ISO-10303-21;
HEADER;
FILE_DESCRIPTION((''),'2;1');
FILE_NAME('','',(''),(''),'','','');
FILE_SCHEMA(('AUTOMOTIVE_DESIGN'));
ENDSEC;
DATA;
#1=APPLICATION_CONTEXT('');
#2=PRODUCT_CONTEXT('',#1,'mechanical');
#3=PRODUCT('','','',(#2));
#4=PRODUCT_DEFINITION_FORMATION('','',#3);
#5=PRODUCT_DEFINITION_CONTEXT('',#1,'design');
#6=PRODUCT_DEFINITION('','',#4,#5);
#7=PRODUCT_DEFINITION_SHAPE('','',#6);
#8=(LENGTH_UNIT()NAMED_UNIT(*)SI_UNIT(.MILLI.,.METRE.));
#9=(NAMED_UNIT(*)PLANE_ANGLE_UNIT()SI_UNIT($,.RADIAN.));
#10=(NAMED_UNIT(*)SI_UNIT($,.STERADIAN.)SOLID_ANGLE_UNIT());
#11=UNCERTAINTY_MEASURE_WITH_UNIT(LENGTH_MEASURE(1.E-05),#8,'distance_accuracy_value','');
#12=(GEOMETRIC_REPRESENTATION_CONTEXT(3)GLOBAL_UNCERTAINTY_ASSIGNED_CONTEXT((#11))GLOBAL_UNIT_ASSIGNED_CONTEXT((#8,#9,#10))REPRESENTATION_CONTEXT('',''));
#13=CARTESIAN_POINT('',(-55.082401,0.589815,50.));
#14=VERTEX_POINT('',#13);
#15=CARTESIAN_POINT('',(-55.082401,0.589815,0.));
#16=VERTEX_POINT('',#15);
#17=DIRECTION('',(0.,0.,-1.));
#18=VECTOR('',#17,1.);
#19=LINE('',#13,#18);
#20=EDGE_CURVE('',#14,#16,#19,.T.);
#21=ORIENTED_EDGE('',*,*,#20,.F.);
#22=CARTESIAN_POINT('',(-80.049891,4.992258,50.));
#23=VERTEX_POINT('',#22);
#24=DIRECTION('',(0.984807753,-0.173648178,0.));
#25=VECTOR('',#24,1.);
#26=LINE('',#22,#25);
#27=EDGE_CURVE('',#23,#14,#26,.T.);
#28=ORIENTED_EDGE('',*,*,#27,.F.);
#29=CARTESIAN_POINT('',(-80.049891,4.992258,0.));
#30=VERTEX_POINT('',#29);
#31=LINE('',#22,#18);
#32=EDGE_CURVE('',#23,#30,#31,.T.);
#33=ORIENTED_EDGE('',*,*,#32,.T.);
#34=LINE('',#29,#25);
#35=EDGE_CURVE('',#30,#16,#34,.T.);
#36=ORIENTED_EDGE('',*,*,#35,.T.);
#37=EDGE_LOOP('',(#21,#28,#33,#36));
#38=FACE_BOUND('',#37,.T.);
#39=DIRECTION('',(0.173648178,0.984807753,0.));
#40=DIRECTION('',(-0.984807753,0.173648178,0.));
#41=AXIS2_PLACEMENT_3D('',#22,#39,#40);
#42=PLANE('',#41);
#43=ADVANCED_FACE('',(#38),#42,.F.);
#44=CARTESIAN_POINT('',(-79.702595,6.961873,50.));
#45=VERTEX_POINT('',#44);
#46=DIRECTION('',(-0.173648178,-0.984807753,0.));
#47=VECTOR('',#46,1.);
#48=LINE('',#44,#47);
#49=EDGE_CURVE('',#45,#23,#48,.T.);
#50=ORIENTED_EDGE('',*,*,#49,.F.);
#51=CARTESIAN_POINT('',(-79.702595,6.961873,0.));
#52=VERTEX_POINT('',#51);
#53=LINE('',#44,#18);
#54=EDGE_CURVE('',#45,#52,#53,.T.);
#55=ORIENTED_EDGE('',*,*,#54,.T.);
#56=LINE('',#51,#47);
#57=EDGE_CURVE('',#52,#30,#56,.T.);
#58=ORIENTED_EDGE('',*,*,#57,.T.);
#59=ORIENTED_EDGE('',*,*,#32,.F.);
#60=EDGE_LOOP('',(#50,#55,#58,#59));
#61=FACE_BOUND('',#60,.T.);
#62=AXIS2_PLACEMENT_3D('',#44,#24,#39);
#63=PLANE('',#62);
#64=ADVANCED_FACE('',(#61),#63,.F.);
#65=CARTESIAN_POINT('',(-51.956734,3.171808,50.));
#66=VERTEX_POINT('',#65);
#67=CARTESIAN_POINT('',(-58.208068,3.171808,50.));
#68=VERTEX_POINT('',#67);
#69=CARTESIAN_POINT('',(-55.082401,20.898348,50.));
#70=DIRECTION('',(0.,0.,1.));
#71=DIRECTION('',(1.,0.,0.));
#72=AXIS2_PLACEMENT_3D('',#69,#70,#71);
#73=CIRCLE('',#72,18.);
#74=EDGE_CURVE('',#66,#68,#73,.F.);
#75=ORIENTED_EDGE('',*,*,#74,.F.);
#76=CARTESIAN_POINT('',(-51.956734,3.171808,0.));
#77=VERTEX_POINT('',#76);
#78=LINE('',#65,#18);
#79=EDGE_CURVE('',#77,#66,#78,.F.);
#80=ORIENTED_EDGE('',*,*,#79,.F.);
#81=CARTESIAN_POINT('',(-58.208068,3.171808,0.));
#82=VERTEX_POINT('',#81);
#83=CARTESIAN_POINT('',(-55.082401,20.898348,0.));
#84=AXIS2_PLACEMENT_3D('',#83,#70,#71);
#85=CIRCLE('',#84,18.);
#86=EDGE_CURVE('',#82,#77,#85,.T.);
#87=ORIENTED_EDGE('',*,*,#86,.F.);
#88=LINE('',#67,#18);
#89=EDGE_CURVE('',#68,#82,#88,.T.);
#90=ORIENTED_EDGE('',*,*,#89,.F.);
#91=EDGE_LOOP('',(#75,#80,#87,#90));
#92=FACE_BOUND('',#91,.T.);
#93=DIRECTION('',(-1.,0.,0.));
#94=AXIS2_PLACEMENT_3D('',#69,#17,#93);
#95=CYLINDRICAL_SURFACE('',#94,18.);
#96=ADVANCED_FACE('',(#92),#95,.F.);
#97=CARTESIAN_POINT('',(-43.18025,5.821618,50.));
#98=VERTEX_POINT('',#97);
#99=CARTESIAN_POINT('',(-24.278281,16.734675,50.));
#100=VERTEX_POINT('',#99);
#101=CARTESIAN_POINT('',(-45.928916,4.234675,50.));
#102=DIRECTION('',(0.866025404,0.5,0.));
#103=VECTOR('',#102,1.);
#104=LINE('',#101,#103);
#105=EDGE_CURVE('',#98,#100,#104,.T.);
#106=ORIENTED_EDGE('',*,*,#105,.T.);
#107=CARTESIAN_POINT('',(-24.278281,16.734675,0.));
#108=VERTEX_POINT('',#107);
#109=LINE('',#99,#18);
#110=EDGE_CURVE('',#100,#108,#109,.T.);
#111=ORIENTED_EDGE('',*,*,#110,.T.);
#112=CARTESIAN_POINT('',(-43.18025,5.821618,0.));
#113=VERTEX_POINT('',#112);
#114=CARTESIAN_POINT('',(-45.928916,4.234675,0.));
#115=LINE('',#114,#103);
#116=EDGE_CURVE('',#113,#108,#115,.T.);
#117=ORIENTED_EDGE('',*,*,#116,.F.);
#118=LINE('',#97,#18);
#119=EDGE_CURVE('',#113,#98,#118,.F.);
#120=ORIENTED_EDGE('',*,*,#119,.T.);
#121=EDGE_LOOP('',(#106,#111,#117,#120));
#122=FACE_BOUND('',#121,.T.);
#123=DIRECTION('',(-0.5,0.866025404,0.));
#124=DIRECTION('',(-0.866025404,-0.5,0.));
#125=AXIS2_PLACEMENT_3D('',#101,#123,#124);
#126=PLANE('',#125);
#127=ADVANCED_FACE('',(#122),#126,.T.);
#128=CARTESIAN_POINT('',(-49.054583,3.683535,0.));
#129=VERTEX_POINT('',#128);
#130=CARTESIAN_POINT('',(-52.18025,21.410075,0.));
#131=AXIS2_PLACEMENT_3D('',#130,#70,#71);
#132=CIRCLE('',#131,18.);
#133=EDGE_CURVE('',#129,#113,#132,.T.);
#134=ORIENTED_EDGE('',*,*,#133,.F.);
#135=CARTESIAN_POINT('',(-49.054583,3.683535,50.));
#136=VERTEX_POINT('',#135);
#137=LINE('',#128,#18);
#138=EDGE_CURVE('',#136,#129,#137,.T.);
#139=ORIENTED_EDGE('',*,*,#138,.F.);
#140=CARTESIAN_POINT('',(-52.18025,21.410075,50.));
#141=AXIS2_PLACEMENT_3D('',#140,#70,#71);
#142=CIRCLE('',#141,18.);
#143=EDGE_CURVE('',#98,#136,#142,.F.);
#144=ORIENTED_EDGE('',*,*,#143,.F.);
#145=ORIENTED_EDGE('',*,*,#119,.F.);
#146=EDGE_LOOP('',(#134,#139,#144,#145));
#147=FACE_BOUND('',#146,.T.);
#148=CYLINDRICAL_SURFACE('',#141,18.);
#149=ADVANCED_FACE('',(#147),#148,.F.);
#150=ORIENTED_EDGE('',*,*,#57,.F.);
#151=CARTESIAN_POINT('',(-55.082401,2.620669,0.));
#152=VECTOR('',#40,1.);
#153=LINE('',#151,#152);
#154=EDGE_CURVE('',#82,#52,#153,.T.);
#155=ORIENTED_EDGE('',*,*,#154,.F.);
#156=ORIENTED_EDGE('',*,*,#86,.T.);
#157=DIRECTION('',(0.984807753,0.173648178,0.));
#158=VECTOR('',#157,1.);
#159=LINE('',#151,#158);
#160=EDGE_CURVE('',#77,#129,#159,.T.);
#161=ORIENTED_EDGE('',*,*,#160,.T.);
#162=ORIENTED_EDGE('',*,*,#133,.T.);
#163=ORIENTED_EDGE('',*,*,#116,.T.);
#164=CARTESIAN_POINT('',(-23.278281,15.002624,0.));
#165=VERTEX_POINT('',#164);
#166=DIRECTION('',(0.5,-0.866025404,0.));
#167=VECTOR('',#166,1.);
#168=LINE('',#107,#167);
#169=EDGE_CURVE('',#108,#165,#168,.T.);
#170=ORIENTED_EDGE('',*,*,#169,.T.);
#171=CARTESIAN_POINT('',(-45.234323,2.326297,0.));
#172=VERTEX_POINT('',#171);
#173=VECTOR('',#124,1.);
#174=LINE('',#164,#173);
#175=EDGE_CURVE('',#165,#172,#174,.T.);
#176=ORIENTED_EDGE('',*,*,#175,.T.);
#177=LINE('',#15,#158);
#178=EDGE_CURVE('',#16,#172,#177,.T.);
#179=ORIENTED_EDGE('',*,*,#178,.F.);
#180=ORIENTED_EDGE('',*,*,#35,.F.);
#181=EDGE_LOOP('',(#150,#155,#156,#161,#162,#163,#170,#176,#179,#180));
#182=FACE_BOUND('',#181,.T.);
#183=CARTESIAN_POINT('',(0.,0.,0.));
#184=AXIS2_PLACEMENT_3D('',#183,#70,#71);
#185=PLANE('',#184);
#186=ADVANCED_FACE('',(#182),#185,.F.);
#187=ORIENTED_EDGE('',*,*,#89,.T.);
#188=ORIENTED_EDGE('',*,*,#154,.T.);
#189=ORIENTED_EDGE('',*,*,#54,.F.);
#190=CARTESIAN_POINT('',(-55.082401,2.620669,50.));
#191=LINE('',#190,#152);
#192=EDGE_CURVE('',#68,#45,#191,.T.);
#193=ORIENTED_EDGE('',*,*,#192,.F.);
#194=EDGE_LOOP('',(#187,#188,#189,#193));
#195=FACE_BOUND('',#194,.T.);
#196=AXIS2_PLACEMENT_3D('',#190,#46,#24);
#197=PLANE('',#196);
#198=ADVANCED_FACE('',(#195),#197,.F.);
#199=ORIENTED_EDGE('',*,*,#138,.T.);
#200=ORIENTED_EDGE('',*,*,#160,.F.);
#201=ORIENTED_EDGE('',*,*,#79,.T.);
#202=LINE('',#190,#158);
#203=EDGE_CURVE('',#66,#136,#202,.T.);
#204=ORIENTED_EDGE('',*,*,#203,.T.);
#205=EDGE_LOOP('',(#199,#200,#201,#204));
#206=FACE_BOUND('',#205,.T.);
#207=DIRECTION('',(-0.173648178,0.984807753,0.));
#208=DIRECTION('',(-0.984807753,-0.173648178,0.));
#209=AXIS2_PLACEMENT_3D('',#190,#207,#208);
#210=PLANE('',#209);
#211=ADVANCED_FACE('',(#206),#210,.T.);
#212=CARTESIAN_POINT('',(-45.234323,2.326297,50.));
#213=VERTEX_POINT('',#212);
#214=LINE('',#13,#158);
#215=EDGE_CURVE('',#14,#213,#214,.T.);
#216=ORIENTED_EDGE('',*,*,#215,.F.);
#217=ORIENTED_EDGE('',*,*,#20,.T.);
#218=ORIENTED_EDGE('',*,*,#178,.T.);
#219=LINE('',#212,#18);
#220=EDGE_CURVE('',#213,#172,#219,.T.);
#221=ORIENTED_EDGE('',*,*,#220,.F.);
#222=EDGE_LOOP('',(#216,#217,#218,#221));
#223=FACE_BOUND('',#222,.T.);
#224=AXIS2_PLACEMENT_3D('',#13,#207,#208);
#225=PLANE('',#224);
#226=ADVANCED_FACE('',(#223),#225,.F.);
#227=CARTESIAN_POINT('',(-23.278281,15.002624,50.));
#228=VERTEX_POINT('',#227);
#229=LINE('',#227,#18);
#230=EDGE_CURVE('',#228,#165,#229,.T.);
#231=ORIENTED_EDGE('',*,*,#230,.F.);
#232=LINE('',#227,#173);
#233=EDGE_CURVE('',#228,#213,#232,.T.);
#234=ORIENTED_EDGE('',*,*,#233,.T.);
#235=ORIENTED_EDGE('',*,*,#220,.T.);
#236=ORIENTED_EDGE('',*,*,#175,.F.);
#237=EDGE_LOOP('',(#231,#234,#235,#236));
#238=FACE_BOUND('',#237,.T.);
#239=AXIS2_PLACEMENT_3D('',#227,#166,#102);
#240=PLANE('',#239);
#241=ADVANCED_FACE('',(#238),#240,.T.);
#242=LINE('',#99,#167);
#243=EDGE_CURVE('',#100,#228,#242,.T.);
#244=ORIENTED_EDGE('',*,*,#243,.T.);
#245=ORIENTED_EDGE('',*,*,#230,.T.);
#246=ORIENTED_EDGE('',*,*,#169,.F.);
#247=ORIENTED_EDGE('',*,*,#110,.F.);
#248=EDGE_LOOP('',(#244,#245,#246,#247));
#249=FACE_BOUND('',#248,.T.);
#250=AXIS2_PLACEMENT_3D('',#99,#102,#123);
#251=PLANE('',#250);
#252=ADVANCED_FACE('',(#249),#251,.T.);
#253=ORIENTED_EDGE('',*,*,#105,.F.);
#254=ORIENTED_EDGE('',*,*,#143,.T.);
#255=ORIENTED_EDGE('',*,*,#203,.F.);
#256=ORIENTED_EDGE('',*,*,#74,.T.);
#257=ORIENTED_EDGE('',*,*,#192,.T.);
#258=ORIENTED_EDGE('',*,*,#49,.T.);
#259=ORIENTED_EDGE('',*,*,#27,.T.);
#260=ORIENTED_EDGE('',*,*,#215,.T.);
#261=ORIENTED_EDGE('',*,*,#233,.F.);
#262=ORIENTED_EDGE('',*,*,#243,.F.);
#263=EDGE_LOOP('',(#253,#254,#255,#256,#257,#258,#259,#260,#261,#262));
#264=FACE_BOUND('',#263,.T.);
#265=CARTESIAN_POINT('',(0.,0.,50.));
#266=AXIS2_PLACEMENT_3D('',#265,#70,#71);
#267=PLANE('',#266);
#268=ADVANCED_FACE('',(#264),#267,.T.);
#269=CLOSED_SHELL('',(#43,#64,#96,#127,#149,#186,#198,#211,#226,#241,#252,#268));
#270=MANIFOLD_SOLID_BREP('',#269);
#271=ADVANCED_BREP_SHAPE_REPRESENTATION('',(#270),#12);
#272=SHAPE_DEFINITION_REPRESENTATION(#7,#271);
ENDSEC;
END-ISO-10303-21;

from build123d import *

# Parameters (mm, degrees)
BOSS_EXTRUDE2_DEPTH = 50
FILLET7_R           = 18


with BuildPart() as part:
    # Sketch1 → Boss-Extrude2 (new body)
    with BuildSketch(Plane.XY):
        Polygon((-45.928915918, 4.234674939), (-24.278280823, 16.734674939), (-23.278280823, 15.002624132), (-45.234323207, 2.326297151), (-55.082400737, 0.589815374), (-80.049890918, 4.992257534), (-79.702594562, 6.96187304), (-55.082400737, 2.620668598), align=None)
    extrude(amount=BOSS_EXTRUDE2_DEPTH)

    # Fillet7
    fillet7_edges = [part.edges().sort_by_distance(p)[0] for p in [
        (-55.082400737, 2.620668598, 25),
        (-45.928915918, 4.234674939, 25),
    ]]
    fillet(fillet7_edges, radius=FILLET7_R)


solid = part.part
